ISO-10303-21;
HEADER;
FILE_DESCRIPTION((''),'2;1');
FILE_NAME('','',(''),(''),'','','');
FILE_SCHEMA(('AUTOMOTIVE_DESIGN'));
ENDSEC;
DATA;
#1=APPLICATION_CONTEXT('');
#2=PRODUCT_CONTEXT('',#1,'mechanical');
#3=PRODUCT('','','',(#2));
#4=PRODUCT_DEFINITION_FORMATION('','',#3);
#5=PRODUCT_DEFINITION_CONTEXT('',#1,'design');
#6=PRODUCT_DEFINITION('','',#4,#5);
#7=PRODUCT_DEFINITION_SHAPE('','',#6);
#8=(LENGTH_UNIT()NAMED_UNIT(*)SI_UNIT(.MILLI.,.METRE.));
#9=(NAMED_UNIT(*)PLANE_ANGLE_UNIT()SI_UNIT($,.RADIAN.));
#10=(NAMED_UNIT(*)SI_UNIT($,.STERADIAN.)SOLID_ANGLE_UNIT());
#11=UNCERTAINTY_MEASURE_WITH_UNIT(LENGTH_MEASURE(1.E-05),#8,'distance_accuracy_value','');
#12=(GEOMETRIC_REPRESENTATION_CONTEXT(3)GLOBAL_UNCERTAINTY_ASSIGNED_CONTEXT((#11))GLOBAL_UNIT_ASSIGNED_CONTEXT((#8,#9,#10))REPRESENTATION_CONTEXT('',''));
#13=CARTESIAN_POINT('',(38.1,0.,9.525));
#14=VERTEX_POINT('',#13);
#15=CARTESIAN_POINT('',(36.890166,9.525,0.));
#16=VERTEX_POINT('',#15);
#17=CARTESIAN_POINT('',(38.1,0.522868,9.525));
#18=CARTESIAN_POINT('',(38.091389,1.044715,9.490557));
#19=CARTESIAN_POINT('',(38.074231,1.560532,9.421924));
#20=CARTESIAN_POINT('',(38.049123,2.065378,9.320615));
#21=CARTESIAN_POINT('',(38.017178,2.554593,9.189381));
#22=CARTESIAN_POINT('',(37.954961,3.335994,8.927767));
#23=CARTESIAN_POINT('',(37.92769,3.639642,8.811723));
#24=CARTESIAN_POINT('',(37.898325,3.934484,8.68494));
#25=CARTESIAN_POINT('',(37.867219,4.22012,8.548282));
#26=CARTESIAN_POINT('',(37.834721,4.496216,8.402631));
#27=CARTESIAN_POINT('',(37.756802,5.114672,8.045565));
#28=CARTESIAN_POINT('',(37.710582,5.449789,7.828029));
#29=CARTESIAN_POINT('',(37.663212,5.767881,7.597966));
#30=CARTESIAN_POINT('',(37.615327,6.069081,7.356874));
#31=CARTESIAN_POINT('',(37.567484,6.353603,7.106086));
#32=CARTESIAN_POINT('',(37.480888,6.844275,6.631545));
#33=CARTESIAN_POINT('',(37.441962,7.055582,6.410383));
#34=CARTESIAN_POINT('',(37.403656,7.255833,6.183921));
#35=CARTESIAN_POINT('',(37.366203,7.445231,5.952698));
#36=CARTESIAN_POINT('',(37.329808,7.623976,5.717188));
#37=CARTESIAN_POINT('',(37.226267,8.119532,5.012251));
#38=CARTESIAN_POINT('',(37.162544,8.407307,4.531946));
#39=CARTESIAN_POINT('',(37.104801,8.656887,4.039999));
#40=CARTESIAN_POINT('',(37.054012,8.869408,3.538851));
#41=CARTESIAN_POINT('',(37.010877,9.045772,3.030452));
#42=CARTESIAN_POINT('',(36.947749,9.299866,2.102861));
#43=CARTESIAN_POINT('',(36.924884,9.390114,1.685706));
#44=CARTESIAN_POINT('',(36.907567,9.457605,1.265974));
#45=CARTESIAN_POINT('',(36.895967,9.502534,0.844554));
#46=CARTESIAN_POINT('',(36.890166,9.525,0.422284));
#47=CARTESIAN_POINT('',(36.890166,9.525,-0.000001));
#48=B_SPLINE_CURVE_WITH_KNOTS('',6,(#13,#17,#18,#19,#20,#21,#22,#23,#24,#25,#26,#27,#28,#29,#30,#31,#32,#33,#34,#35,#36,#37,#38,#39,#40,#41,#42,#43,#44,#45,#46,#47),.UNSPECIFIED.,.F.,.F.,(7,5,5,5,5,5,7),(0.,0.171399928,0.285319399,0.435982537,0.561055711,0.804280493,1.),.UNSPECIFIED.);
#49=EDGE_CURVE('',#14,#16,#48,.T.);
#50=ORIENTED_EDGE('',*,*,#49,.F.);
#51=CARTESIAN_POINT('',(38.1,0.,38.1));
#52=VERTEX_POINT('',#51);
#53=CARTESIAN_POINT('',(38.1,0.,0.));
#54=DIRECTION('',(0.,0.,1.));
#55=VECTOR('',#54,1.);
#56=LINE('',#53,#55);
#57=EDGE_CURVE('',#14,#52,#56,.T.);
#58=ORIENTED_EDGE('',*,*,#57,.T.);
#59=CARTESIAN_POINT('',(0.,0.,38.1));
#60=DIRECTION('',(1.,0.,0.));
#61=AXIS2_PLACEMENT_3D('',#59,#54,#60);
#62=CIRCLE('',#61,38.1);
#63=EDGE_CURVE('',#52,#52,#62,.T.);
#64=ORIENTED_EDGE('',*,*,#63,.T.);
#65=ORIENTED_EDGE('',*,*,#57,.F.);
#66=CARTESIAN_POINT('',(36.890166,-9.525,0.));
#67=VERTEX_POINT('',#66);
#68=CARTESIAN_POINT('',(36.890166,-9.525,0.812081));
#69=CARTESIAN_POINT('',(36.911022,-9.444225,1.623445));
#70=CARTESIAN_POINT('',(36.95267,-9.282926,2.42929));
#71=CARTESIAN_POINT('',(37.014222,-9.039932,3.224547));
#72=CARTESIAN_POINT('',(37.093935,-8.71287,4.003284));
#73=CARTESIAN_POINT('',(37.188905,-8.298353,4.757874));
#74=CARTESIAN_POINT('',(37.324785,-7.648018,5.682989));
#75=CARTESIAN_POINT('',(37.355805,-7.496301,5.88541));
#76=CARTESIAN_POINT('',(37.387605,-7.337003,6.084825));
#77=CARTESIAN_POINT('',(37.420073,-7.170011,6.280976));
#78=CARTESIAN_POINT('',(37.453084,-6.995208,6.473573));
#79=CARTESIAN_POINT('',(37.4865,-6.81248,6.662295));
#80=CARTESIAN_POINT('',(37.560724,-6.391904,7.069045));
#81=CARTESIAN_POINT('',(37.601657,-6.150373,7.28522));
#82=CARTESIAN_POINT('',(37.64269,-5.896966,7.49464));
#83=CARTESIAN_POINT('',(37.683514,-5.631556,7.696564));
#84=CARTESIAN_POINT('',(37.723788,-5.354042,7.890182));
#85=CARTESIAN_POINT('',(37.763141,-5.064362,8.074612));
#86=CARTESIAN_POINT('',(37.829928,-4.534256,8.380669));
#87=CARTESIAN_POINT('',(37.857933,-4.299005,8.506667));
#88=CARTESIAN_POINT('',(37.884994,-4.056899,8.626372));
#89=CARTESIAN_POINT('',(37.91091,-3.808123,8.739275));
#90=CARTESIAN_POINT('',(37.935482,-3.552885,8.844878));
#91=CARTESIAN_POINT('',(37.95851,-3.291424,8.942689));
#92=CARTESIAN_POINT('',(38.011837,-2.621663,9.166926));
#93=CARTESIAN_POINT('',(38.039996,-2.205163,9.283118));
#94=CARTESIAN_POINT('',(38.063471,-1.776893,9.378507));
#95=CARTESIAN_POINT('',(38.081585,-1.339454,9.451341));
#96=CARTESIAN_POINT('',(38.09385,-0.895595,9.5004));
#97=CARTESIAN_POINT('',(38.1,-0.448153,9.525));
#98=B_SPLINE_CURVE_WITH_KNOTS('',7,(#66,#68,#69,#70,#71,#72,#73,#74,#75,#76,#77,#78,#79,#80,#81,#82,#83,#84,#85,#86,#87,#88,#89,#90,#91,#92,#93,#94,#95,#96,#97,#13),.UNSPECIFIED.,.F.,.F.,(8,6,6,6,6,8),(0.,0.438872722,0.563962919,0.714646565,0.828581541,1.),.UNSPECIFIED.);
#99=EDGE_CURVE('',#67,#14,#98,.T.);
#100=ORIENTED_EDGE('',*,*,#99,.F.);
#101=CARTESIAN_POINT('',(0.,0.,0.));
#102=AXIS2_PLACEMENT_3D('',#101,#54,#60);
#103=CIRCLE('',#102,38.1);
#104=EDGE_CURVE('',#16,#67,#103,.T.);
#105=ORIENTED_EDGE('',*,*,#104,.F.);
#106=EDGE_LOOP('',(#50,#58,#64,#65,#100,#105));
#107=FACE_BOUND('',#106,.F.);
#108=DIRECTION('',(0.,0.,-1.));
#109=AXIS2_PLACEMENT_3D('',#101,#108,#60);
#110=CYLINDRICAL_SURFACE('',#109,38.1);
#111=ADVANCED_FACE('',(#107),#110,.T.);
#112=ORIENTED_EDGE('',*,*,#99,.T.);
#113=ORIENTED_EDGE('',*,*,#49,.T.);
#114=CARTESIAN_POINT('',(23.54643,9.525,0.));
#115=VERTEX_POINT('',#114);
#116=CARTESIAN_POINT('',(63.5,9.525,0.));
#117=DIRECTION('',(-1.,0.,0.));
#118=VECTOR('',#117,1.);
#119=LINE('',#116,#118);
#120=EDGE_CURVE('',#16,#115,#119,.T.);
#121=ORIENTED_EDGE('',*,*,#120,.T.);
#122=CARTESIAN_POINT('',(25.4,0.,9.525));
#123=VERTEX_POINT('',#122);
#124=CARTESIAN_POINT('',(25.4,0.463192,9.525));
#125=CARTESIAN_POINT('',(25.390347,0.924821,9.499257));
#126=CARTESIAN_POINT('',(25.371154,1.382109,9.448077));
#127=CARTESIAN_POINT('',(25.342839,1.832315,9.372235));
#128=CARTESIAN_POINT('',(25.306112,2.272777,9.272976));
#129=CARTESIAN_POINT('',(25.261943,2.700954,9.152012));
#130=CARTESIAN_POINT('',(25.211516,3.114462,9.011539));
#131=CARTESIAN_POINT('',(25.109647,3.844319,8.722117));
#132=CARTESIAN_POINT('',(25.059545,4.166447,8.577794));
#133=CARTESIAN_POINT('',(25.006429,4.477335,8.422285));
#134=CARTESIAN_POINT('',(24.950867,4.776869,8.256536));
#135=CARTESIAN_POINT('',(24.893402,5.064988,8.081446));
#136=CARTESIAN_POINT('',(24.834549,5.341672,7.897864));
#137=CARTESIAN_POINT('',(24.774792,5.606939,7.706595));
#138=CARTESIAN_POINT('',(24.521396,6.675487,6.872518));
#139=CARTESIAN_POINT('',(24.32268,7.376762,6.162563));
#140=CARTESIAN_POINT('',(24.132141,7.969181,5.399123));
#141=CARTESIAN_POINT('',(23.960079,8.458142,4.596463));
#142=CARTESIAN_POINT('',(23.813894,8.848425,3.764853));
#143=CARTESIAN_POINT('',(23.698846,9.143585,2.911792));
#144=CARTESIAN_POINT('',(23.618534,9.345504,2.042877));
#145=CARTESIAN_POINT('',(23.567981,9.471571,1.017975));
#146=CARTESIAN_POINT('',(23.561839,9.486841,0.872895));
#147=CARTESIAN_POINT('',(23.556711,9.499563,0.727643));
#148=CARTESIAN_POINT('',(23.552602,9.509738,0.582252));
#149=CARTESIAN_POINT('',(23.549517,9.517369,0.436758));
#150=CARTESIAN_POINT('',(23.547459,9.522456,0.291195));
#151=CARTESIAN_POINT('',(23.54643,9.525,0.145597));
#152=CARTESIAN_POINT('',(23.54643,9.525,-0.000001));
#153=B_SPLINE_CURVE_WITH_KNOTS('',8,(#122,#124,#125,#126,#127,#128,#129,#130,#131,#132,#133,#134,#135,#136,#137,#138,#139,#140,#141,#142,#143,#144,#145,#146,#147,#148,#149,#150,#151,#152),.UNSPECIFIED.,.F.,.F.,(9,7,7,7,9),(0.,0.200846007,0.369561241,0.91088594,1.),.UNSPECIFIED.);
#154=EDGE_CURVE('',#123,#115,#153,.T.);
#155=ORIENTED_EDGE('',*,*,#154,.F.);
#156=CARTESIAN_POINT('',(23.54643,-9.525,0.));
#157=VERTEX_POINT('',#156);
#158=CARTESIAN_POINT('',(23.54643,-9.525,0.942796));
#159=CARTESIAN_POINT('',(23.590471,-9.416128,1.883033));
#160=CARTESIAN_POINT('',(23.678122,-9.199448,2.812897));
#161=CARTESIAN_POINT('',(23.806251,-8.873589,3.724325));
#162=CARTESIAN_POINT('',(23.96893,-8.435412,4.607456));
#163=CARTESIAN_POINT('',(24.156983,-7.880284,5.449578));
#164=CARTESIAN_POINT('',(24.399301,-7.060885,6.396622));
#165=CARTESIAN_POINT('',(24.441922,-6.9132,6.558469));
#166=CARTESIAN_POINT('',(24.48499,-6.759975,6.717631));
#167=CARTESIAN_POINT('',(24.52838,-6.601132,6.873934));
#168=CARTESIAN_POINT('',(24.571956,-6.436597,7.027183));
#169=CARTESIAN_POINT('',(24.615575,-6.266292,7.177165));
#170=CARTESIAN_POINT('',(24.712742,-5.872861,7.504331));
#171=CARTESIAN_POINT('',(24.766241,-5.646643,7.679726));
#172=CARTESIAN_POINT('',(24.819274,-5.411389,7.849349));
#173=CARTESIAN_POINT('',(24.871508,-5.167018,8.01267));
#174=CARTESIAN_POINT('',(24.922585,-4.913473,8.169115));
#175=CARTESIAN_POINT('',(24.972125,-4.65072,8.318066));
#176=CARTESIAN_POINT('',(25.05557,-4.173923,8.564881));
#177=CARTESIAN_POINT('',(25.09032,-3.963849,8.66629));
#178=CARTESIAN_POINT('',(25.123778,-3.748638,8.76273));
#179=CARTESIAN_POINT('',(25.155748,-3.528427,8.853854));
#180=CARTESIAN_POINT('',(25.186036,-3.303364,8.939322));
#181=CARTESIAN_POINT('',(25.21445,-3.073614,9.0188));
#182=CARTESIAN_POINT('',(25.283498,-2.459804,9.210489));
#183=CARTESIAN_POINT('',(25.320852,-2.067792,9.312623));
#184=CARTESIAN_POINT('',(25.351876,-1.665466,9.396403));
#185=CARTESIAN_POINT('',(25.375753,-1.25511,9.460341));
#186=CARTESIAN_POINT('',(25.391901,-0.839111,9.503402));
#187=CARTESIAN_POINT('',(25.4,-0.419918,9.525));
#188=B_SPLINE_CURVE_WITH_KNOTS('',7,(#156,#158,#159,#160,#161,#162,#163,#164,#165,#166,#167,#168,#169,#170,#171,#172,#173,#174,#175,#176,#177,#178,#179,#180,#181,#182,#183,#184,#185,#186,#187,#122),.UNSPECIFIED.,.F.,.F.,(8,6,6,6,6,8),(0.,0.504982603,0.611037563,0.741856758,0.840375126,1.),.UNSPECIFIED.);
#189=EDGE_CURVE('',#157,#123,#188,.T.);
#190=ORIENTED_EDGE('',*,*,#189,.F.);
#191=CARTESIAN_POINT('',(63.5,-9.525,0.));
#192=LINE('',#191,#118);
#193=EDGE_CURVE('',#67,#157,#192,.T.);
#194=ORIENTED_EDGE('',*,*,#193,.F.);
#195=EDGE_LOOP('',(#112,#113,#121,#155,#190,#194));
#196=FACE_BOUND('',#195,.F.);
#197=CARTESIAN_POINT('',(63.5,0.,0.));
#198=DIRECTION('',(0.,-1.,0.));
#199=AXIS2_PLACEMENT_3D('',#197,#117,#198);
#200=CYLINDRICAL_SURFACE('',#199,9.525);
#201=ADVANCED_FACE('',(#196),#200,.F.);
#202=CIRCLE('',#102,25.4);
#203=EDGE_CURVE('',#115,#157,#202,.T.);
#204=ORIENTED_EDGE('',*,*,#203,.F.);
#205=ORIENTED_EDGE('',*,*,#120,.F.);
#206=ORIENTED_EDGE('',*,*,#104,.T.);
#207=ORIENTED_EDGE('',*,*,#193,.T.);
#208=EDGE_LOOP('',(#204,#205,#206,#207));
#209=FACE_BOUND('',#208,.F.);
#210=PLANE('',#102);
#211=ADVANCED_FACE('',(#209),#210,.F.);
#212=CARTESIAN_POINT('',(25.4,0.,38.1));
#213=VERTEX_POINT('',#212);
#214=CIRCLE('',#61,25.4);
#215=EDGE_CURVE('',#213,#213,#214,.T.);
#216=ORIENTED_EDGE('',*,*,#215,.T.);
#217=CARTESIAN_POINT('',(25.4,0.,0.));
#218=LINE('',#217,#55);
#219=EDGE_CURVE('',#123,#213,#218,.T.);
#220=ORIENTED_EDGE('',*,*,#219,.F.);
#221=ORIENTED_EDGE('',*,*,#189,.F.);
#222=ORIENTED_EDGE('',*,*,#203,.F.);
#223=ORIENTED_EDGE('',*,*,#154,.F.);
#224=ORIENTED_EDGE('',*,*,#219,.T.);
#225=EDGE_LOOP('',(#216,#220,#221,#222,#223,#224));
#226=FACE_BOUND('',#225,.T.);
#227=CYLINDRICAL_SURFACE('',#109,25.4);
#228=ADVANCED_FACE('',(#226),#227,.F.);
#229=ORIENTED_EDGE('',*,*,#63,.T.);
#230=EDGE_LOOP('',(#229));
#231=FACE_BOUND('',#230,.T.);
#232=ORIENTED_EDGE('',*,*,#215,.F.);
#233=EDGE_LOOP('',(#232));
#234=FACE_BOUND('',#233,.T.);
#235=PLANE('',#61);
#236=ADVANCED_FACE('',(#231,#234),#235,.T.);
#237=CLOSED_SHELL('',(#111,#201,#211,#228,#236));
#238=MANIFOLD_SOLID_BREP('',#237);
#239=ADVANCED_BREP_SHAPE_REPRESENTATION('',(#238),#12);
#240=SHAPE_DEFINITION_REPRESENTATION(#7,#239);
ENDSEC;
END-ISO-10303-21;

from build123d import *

# Parameters (mm, degrees)
F0_R     = 38.1
F0_R_2   = 25.4
F1_DEPTH = 38.1
F4_D     = 19.05
F4_DEPTH = 25.4


with BuildPart() as f1:
    # F0 (on Top) → F1 (new body)
    with BuildSketch(Plane.XY):
        Circle(F0_R)
        Circle(F0_R_2, mode=Mode.SUBTRACT)
    extrude(amount=F1_DEPTH)

    # F4
    with Locations(Plane.YZ.offset(38.1)):
        with Locations((0, 0)):
            Hole(F4_D / 2, depth=F4_DEPTH)


solid = f1.part
